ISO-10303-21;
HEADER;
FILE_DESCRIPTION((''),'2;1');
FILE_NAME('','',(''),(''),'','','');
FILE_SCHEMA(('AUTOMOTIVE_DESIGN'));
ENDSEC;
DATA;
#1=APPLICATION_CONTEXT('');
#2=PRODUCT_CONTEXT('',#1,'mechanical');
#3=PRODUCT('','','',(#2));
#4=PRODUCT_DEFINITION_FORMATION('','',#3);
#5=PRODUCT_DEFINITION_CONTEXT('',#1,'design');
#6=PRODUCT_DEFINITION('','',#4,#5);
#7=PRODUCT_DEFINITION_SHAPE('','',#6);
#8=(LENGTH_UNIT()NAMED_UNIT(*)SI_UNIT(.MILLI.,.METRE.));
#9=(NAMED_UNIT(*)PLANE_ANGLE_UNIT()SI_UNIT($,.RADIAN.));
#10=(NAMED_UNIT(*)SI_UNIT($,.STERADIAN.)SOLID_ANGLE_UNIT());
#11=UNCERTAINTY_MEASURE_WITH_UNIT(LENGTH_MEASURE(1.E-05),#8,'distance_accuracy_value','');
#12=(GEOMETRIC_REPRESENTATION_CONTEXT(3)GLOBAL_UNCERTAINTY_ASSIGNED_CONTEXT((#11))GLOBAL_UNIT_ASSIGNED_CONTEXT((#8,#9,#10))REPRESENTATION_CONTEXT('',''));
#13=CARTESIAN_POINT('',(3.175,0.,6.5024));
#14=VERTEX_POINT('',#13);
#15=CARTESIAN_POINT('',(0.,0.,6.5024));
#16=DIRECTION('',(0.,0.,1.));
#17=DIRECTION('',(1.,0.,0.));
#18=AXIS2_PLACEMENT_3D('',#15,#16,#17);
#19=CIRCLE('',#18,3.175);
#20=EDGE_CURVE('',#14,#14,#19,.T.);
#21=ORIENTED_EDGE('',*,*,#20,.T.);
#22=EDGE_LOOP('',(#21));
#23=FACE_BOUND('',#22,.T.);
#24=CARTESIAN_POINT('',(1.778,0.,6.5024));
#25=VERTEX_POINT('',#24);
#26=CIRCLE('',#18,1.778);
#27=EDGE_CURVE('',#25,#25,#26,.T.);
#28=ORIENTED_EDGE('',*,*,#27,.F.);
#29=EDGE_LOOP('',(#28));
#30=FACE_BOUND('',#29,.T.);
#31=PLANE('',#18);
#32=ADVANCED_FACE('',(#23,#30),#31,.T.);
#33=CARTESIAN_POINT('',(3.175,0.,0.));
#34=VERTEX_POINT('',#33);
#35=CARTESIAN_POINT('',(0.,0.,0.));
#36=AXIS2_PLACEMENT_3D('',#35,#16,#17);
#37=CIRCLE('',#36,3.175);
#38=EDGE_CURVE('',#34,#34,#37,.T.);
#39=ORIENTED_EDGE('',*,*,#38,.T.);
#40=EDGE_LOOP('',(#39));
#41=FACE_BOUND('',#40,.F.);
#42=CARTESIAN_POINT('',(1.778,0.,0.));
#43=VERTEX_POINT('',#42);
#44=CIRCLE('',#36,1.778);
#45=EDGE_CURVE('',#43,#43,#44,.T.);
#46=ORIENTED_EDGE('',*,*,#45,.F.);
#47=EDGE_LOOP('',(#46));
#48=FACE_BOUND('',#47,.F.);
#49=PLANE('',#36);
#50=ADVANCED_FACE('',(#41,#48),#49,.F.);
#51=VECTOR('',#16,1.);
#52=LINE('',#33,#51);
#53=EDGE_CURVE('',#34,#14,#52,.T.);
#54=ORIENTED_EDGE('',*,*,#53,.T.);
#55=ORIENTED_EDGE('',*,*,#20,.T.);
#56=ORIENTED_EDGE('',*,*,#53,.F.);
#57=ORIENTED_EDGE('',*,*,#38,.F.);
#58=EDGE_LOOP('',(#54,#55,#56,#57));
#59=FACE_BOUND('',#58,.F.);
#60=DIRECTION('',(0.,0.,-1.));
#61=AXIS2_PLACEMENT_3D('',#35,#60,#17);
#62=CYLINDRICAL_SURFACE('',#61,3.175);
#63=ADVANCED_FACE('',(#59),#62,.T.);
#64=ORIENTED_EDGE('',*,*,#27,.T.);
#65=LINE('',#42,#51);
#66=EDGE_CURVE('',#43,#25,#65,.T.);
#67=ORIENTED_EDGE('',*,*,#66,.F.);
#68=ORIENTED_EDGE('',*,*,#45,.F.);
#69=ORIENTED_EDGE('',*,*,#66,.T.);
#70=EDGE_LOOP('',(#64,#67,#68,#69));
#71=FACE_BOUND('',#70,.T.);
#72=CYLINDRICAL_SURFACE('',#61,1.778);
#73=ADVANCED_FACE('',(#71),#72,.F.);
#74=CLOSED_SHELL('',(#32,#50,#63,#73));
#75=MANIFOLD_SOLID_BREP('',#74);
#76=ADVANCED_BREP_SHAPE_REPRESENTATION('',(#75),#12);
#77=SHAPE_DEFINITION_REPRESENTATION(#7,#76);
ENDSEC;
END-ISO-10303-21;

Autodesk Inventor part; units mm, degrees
ref_plane "YZ Plane" through (0, 0, 0) normal (1, 0, 0) x (0, 1, 0)
ref_plane "XZ Plane" through (0, 0, 0) normal (0, 1, 0) x (-1, 0, 0)
ref_plane "XY Plane" through (0, 0, 0) normal (0, 0, 1) x (1, 0, 0)
sketch "Sketch1" plane through (0, 0, 0) normal (0, 0, 1) x (1, 0, 0)
  circle A0 centre (0, 0) radius 1.778
  circle A1 centre (0, 0) radius 3.175
  dimension "d0" = 3.556
  dimension "d1" = 6.35
extrude "Extrusion1" add sketch "Sketch1" along normal blind 6.5024
properties part number "Spacer_ServoTilitBracketArm"
